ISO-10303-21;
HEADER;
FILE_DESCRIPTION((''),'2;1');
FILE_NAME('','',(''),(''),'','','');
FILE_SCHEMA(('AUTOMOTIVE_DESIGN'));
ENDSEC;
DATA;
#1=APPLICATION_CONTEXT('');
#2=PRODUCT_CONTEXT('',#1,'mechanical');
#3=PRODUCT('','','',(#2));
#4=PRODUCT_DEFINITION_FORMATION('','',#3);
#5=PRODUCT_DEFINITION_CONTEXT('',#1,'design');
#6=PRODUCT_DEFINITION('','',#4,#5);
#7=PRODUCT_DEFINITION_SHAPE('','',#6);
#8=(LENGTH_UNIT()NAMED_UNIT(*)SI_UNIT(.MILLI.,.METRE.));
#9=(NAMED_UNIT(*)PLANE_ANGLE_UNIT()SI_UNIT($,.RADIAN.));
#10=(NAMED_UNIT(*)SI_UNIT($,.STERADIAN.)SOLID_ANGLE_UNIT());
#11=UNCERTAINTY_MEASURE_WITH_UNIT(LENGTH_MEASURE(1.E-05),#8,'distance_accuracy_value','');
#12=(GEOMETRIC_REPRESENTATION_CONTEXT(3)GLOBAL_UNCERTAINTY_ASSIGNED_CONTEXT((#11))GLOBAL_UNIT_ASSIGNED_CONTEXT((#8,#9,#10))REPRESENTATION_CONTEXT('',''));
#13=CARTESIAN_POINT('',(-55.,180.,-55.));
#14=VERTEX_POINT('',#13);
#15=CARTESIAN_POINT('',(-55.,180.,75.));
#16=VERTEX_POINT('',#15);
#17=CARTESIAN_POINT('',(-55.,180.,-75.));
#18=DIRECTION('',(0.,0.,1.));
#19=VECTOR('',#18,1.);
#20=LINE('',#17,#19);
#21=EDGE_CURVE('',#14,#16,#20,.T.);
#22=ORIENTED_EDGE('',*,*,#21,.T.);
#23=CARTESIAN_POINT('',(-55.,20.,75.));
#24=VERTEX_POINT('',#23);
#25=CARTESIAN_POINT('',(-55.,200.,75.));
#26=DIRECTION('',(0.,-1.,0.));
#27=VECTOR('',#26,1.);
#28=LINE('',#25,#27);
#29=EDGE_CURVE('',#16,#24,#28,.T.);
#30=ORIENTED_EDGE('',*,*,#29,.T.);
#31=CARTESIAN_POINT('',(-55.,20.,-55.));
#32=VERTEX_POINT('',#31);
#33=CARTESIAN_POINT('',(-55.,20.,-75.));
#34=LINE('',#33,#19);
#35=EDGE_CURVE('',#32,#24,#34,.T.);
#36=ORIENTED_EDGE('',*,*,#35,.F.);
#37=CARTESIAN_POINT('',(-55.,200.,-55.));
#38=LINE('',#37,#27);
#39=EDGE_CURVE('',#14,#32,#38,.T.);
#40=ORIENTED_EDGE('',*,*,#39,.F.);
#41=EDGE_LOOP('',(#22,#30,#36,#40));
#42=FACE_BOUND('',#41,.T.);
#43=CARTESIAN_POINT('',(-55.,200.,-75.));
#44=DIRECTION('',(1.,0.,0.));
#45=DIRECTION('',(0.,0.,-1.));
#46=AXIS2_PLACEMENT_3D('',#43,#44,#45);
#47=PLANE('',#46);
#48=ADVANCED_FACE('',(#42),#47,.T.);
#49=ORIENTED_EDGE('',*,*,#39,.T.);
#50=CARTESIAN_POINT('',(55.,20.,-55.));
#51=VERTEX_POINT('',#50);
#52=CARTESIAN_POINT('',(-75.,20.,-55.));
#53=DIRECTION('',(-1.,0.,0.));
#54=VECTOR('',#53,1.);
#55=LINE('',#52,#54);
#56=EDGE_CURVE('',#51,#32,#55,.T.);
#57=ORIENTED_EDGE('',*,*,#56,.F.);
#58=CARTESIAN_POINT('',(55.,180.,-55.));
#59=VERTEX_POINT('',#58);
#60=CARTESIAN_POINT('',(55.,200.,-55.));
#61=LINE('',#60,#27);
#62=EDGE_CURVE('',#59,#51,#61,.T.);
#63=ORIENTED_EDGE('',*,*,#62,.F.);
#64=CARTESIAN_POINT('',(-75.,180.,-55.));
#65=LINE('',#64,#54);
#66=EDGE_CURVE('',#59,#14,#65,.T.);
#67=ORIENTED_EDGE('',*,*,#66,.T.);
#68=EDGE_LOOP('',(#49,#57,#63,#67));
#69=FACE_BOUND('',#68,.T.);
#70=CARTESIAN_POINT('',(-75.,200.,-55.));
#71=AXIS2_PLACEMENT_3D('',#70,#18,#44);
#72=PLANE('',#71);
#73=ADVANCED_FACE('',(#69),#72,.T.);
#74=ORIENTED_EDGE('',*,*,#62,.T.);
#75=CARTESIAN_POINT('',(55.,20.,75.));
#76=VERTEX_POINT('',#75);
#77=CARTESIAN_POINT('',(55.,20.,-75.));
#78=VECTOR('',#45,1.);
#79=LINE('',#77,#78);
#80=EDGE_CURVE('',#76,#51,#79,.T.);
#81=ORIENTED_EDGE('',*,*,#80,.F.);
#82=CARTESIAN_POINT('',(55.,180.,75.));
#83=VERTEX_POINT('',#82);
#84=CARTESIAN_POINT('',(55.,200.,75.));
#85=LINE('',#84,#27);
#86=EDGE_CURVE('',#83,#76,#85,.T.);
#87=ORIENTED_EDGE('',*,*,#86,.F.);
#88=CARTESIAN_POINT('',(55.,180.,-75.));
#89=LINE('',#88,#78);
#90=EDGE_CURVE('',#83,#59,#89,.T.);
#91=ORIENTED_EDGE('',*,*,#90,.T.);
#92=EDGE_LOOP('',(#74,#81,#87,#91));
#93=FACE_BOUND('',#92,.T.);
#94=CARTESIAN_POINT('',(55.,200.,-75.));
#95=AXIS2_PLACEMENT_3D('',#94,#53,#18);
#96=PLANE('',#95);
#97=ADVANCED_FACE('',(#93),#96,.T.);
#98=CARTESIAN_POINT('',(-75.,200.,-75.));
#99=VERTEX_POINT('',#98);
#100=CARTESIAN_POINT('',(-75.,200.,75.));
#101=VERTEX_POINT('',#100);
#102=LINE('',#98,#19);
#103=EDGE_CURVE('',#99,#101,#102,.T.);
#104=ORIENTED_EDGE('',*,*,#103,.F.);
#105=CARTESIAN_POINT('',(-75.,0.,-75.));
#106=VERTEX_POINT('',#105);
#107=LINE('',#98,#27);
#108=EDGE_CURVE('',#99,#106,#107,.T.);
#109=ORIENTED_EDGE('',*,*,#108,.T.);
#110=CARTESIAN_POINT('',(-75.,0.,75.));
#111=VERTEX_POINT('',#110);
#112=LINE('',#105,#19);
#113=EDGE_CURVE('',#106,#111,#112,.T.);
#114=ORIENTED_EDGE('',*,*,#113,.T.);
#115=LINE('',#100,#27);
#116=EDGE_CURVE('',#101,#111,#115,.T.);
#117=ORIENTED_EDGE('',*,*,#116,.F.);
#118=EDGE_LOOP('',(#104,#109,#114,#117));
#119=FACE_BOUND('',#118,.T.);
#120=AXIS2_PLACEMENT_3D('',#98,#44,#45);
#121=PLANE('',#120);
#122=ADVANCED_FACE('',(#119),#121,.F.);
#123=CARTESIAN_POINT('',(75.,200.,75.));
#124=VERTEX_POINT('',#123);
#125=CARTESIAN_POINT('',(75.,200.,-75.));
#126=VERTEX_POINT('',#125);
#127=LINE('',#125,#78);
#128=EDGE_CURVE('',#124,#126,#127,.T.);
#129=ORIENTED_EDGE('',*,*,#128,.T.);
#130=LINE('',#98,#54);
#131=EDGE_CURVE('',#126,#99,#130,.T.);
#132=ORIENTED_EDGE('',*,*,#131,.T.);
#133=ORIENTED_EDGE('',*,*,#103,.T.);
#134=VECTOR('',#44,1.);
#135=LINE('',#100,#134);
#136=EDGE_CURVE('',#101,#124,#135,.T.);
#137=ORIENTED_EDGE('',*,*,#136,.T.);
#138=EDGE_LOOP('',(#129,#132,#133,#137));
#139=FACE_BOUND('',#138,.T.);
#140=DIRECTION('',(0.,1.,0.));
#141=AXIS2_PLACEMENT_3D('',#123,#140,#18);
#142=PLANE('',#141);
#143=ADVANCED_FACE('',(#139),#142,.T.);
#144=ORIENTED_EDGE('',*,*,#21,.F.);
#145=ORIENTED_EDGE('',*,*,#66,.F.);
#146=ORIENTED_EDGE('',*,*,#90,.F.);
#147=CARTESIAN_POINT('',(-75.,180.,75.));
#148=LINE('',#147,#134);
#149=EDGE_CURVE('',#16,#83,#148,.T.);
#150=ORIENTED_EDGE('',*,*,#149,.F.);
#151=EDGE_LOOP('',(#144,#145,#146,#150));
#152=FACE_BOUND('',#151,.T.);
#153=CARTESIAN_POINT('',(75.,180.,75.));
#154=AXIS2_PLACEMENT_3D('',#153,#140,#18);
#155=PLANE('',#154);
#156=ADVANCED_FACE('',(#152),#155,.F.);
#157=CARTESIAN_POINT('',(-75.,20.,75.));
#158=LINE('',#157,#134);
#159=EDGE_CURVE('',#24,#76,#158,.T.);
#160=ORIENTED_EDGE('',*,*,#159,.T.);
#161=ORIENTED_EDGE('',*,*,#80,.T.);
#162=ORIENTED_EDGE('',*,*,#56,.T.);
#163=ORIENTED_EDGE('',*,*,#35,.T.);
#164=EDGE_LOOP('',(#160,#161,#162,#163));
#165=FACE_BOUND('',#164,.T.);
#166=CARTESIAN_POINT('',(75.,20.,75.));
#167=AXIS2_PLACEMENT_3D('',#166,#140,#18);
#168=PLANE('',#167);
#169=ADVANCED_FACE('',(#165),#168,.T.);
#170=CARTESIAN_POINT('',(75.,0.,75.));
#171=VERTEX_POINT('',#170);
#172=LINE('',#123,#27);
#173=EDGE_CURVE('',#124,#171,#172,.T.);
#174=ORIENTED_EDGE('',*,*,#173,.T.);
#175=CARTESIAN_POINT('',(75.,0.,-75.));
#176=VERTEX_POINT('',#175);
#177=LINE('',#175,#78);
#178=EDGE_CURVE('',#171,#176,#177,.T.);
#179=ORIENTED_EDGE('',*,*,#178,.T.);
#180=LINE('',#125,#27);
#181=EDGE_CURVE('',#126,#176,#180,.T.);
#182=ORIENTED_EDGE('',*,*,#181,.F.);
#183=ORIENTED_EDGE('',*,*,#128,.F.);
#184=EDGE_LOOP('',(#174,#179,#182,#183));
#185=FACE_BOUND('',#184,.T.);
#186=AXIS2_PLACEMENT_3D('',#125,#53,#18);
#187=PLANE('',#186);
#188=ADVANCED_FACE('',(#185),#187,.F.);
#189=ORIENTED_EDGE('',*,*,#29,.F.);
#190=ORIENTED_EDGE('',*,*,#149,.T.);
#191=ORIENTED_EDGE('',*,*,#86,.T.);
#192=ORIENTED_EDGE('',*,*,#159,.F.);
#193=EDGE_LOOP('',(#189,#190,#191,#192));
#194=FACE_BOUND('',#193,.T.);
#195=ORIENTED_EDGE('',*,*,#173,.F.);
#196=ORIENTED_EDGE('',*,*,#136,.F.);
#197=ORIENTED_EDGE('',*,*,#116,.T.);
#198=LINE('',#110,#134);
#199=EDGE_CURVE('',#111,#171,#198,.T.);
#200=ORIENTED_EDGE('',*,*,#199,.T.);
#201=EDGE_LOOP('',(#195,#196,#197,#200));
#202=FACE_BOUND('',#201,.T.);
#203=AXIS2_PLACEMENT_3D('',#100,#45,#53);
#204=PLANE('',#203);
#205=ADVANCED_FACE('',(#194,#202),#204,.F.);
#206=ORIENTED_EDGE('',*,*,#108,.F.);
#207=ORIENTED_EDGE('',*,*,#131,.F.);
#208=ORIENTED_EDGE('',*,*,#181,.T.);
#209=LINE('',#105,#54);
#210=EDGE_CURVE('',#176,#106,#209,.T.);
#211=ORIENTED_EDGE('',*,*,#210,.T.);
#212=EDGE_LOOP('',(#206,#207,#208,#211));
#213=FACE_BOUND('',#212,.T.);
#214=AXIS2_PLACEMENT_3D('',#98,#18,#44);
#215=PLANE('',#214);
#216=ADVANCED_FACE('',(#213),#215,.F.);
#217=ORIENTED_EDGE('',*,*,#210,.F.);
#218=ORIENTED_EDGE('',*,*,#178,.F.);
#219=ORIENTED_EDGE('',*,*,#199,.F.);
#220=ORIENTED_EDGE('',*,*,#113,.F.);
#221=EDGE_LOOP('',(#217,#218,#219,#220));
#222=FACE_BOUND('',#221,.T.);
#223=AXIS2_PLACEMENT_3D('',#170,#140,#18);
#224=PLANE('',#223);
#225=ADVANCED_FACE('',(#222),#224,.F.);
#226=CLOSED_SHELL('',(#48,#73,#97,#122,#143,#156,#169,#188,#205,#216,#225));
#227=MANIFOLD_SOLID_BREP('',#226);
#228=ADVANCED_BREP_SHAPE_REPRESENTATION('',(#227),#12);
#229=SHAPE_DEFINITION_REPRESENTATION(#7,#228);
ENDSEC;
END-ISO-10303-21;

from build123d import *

# Parameters (mm, degrees)
SKETCH_1_W      = 150
SKETCH_1_H      = 150
EXTRUDE_1_DEPTH = 200
SHELL_1_T       = -20


with BuildPart() as part:
    # 草图1 → 凸台-拉伸1 (new body)
    with BuildSketch(Plane(origin=(0, 0, 0), x_dir=(1, 0, 0), z_dir=(0, 1, 0))):
        Rectangle(SKETCH_1_W, SKETCH_1_H)
    extrude(amount=EXTRUDE_1_DEPTH)

    # 抽壳1
    shell_1_openings = [part.faces().sort_by_distance(p)[0] for p in [
        (0, 100, 75),
    ]]
    offset(amount=SHELL_1_T, openings=shell_1_openings, kind=Kind.INTERSECTION)


solid = part.part
